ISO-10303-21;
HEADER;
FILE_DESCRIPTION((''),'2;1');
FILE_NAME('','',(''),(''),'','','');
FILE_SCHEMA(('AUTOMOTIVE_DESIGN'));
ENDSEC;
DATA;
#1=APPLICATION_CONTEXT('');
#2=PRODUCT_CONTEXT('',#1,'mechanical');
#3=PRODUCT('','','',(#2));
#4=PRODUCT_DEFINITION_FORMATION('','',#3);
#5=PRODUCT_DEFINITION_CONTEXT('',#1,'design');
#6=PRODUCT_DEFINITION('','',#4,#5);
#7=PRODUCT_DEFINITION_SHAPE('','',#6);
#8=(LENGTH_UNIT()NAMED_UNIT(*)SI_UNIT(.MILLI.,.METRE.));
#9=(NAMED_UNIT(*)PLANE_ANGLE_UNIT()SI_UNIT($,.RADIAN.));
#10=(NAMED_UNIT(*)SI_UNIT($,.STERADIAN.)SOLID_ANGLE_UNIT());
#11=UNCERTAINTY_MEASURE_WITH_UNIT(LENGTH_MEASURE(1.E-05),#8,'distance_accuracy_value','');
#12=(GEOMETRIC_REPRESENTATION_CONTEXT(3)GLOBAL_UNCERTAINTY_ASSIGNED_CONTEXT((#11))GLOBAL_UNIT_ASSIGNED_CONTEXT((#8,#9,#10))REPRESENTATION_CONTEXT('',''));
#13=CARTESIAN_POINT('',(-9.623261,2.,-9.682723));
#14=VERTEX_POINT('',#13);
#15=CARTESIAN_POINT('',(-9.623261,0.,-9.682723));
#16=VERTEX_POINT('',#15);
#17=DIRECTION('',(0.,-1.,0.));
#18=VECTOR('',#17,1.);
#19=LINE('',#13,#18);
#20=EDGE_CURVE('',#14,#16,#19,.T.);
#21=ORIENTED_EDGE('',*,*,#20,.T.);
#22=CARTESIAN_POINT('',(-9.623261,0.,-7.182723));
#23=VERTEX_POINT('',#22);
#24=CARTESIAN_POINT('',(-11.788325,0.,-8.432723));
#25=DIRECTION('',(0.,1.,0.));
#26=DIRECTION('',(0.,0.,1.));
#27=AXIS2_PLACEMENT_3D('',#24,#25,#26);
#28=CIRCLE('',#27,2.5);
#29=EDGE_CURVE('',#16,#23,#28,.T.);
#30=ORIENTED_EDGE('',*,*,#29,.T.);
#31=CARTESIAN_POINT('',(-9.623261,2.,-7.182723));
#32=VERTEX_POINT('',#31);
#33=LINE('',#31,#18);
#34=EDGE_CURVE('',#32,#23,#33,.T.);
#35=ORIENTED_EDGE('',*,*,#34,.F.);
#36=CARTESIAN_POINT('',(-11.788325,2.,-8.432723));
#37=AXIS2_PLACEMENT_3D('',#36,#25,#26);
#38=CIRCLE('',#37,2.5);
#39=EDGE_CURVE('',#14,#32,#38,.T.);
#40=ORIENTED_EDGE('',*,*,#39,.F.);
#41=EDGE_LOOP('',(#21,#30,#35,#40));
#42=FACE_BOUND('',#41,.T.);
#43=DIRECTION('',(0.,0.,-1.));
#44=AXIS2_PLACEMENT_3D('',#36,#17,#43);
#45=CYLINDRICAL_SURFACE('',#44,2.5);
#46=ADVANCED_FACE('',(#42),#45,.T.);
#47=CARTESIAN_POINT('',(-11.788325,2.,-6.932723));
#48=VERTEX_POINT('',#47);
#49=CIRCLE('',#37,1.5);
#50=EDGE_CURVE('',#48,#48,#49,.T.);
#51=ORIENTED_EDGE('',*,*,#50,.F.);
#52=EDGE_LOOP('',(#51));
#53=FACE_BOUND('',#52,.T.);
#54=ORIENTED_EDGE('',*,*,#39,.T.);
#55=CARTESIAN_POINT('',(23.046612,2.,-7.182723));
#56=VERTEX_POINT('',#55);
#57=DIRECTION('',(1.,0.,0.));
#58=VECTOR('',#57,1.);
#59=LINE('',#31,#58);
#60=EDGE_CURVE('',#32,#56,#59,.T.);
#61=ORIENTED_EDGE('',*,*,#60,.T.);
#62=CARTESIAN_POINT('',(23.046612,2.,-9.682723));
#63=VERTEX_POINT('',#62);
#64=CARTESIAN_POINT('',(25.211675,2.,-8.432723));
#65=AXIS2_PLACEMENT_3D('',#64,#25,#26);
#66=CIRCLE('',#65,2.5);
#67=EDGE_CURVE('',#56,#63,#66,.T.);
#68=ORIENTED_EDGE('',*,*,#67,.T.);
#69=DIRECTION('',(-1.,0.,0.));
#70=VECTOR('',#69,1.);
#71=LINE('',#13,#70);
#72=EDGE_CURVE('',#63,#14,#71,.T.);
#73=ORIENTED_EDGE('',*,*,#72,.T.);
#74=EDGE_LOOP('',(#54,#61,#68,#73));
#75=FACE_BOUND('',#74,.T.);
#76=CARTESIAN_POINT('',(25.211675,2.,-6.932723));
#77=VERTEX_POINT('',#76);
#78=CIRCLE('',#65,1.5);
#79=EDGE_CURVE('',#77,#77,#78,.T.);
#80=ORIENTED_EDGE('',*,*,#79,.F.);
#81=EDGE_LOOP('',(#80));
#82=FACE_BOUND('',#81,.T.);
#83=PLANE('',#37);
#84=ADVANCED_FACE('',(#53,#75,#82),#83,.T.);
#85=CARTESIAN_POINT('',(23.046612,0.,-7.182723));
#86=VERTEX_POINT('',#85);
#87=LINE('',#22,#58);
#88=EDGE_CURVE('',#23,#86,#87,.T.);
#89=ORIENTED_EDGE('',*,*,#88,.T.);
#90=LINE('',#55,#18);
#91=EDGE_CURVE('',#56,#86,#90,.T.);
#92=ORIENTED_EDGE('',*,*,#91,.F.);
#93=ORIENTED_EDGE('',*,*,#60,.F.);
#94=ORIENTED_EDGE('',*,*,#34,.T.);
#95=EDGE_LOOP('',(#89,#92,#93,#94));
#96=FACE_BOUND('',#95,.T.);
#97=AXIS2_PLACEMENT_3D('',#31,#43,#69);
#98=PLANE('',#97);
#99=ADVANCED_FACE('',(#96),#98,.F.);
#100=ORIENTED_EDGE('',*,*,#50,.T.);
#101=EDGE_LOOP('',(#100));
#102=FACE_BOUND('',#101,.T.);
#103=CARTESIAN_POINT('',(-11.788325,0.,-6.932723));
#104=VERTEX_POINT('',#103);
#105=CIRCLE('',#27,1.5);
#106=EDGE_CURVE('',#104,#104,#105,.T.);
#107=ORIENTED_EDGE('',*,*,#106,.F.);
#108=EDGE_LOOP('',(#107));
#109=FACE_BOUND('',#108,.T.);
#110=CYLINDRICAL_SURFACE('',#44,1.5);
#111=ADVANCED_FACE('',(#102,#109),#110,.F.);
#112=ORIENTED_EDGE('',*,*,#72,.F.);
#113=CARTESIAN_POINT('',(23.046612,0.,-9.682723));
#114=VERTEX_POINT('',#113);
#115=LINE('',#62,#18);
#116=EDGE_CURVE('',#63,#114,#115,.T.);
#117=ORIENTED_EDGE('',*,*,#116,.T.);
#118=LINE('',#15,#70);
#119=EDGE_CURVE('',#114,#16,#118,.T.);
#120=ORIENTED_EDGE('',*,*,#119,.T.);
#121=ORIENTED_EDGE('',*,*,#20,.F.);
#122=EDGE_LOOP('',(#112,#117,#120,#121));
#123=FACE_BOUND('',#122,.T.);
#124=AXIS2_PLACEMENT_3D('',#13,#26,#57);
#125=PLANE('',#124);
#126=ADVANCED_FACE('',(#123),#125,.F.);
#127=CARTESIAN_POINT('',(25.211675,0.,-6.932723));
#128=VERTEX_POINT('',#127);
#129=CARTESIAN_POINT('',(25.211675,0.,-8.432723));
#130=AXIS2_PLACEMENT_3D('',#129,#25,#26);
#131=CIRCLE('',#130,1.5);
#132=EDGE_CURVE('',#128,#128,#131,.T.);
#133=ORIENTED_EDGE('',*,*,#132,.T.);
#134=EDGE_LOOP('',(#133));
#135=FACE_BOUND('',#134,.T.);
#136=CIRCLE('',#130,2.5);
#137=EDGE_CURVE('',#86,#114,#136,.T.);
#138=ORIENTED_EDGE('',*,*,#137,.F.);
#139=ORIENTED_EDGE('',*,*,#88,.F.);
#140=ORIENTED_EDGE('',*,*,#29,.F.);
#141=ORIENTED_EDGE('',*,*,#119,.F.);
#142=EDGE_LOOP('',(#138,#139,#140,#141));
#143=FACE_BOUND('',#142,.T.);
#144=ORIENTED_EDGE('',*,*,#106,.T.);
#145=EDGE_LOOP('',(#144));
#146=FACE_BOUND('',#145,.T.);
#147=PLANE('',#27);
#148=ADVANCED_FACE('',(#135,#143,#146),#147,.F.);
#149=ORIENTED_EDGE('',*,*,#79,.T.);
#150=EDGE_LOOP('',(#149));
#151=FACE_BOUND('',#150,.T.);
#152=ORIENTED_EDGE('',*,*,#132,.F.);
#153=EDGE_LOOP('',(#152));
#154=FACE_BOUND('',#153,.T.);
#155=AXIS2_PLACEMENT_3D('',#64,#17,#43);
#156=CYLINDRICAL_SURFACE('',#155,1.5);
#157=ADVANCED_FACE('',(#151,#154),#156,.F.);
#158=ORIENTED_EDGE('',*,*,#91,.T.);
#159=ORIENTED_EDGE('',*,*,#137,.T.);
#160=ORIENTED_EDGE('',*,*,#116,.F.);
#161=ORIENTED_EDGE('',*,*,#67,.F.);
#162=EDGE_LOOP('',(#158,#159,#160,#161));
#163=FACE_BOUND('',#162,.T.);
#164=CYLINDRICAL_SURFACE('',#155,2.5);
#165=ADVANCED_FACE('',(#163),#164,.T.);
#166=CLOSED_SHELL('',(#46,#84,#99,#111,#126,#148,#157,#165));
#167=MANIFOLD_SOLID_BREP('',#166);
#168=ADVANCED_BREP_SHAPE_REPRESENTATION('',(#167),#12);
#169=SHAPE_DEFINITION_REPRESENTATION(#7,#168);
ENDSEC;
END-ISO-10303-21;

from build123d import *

# Parameters (mm, degrees)
SKETCH1_R           = 1.5
BOSS_EXTRUDE2_DEPTH = 2


with BuildPart() as part:
    # Sketch1 → Boss-Extrude2 (new body)
    with BuildSketch(Plane(origin=(0, 0, 0), x_dir=(1, 0, 0), z_dir=(0, 1, 0))):
        with BuildLine():
            Line((-9.623261093, 9.68272303), (23.046611888, 9.68272303))
            ThreePointArc((23.046611888, 9.68272303), (27.711675397, 8.43272303), (23.046611888, 7.18272303))
            Line((23.046611888, 7.18272303), (-9.623261093, 7.18272303))
            ThreePointArc((-9.623261093, 7.18272303), (-14.288324603, 8.43272303), (-9.623261093, 9.68272303))
        make_face()
        with Locations(Location((25.211675397, 8.43272303, 0), (0, 0, 270))):
            Circle(SKETCH1_R, mode=Mode.SUBTRACT)
        with Locations(Location((-11.788324603, 8.43272303, 0), (0, 0, 270))):
            Circle(SKETCH1_R, mode=Mode.SUBTRACT)
    extrude(amount=BOSS_EXTRUDE2_DEPTH)


solid = part.part
